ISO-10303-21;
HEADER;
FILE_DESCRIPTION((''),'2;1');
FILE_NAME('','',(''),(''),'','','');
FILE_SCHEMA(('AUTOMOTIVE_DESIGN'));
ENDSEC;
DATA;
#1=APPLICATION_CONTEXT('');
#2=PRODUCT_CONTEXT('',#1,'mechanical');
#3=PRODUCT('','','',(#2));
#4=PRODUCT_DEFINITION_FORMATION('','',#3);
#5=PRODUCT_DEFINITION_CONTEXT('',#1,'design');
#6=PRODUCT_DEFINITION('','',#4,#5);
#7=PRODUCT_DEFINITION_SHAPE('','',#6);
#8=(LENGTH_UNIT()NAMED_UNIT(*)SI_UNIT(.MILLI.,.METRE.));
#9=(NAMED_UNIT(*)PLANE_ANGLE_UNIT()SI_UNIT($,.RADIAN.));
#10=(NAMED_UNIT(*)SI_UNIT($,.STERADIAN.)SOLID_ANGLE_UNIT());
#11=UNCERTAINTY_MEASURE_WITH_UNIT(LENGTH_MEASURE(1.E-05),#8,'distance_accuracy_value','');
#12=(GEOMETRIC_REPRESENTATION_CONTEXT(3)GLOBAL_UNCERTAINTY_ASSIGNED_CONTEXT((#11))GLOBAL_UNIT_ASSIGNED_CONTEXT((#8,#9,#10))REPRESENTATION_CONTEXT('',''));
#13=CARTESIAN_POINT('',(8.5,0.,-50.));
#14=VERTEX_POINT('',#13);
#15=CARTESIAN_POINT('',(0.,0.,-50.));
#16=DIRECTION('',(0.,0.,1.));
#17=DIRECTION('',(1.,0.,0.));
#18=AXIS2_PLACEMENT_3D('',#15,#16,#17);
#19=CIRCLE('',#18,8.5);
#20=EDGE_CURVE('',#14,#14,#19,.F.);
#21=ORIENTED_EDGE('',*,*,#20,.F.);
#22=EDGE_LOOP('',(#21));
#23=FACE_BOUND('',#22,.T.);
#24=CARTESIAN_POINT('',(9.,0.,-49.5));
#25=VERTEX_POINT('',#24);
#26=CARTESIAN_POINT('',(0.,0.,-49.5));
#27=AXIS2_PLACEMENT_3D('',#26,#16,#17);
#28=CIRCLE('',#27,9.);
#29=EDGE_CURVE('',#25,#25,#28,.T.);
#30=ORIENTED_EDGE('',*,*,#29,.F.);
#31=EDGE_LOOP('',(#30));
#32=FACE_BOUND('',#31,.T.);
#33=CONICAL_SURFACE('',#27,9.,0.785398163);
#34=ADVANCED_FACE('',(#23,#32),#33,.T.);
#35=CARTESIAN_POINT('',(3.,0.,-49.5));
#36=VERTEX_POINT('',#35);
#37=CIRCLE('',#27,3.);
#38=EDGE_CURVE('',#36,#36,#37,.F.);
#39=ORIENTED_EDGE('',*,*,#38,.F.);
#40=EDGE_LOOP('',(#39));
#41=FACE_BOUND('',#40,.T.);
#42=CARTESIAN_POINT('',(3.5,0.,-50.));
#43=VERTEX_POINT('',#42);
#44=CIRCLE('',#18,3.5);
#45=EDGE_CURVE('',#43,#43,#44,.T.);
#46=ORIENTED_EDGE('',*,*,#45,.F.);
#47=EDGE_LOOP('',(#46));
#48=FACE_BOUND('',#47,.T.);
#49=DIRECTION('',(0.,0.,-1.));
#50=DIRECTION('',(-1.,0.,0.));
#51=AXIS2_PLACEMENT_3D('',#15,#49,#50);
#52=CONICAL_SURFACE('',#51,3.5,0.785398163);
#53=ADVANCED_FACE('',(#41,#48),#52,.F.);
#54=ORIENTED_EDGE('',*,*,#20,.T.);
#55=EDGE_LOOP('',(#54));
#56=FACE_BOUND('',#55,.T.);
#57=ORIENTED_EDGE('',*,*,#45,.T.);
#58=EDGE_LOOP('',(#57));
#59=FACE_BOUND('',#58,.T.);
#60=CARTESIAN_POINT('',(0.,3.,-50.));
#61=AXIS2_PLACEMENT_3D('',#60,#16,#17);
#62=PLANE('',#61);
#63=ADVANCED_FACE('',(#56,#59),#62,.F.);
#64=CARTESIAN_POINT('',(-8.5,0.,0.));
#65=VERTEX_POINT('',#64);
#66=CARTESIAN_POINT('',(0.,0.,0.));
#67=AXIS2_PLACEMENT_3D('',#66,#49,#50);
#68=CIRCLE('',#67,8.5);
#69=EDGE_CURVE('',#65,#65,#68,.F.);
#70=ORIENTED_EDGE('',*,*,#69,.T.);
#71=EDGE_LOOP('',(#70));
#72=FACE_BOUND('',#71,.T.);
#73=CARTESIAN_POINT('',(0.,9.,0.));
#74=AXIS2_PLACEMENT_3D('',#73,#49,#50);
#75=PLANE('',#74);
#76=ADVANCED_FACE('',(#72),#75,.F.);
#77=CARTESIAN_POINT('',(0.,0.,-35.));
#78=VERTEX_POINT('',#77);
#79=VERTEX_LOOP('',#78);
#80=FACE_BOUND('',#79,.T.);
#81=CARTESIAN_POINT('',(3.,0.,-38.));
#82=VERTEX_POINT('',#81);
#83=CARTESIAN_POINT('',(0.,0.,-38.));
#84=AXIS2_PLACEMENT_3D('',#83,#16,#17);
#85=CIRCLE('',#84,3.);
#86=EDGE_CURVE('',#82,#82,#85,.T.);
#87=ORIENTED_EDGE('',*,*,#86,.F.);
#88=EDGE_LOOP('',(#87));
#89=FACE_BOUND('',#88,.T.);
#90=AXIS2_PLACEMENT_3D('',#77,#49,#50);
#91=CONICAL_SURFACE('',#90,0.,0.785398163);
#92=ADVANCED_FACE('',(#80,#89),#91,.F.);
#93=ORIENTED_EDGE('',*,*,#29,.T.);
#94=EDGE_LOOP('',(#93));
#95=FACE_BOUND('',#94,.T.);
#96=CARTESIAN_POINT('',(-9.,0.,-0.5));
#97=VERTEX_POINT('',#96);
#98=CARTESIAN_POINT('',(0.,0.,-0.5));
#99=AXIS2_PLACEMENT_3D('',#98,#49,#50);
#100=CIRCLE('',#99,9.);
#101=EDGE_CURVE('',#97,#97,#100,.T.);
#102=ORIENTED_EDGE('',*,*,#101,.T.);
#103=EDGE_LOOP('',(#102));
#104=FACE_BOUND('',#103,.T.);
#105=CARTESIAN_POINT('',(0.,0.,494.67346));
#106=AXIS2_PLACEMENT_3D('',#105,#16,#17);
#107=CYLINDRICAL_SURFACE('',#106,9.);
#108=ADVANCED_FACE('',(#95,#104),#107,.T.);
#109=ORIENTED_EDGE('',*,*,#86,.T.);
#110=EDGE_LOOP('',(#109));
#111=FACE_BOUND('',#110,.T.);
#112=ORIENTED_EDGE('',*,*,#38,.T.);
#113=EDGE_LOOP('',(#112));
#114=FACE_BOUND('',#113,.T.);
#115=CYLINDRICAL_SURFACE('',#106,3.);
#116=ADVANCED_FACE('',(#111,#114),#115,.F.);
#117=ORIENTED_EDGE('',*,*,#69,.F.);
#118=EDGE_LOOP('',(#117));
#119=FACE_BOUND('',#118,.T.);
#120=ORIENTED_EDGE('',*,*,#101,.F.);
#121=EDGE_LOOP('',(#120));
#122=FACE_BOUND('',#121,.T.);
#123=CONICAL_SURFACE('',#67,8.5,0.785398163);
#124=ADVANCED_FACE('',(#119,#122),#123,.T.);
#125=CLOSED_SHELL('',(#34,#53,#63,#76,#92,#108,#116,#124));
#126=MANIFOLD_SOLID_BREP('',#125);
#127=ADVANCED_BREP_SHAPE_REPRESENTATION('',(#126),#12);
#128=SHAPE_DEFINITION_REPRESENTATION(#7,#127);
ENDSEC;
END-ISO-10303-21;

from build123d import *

# Parameters (mm, degrees)
CHAMFER1_SIZE = 0.5


with BuildPart() as part:
    # Sketch1 → Revolve1 (revolve)
    with BuildSketch(Plane(origin=(0, 0, 0), x_dir=(0, 0, -1), z_dir=(1, 0, 0))):
        Polygon((0, 0), (35, 0), (38, 3), (50, 3), (50, 9), (0, 9), align=None)
    revolve(axis=Axis((0, 0, 494.673459935), (0, 0, -1)))

    # Chamfer1
    chamfer1_edges = [part.edges().sort_by_distance(p)[0] for p in [
        (0, -9, 0),
        (0, -9, -50),
        (0, -3, -50),
    ]]
    chamfer(chamfer1_edges, length=CHAMFER1_SIZE)


solid = part.part
